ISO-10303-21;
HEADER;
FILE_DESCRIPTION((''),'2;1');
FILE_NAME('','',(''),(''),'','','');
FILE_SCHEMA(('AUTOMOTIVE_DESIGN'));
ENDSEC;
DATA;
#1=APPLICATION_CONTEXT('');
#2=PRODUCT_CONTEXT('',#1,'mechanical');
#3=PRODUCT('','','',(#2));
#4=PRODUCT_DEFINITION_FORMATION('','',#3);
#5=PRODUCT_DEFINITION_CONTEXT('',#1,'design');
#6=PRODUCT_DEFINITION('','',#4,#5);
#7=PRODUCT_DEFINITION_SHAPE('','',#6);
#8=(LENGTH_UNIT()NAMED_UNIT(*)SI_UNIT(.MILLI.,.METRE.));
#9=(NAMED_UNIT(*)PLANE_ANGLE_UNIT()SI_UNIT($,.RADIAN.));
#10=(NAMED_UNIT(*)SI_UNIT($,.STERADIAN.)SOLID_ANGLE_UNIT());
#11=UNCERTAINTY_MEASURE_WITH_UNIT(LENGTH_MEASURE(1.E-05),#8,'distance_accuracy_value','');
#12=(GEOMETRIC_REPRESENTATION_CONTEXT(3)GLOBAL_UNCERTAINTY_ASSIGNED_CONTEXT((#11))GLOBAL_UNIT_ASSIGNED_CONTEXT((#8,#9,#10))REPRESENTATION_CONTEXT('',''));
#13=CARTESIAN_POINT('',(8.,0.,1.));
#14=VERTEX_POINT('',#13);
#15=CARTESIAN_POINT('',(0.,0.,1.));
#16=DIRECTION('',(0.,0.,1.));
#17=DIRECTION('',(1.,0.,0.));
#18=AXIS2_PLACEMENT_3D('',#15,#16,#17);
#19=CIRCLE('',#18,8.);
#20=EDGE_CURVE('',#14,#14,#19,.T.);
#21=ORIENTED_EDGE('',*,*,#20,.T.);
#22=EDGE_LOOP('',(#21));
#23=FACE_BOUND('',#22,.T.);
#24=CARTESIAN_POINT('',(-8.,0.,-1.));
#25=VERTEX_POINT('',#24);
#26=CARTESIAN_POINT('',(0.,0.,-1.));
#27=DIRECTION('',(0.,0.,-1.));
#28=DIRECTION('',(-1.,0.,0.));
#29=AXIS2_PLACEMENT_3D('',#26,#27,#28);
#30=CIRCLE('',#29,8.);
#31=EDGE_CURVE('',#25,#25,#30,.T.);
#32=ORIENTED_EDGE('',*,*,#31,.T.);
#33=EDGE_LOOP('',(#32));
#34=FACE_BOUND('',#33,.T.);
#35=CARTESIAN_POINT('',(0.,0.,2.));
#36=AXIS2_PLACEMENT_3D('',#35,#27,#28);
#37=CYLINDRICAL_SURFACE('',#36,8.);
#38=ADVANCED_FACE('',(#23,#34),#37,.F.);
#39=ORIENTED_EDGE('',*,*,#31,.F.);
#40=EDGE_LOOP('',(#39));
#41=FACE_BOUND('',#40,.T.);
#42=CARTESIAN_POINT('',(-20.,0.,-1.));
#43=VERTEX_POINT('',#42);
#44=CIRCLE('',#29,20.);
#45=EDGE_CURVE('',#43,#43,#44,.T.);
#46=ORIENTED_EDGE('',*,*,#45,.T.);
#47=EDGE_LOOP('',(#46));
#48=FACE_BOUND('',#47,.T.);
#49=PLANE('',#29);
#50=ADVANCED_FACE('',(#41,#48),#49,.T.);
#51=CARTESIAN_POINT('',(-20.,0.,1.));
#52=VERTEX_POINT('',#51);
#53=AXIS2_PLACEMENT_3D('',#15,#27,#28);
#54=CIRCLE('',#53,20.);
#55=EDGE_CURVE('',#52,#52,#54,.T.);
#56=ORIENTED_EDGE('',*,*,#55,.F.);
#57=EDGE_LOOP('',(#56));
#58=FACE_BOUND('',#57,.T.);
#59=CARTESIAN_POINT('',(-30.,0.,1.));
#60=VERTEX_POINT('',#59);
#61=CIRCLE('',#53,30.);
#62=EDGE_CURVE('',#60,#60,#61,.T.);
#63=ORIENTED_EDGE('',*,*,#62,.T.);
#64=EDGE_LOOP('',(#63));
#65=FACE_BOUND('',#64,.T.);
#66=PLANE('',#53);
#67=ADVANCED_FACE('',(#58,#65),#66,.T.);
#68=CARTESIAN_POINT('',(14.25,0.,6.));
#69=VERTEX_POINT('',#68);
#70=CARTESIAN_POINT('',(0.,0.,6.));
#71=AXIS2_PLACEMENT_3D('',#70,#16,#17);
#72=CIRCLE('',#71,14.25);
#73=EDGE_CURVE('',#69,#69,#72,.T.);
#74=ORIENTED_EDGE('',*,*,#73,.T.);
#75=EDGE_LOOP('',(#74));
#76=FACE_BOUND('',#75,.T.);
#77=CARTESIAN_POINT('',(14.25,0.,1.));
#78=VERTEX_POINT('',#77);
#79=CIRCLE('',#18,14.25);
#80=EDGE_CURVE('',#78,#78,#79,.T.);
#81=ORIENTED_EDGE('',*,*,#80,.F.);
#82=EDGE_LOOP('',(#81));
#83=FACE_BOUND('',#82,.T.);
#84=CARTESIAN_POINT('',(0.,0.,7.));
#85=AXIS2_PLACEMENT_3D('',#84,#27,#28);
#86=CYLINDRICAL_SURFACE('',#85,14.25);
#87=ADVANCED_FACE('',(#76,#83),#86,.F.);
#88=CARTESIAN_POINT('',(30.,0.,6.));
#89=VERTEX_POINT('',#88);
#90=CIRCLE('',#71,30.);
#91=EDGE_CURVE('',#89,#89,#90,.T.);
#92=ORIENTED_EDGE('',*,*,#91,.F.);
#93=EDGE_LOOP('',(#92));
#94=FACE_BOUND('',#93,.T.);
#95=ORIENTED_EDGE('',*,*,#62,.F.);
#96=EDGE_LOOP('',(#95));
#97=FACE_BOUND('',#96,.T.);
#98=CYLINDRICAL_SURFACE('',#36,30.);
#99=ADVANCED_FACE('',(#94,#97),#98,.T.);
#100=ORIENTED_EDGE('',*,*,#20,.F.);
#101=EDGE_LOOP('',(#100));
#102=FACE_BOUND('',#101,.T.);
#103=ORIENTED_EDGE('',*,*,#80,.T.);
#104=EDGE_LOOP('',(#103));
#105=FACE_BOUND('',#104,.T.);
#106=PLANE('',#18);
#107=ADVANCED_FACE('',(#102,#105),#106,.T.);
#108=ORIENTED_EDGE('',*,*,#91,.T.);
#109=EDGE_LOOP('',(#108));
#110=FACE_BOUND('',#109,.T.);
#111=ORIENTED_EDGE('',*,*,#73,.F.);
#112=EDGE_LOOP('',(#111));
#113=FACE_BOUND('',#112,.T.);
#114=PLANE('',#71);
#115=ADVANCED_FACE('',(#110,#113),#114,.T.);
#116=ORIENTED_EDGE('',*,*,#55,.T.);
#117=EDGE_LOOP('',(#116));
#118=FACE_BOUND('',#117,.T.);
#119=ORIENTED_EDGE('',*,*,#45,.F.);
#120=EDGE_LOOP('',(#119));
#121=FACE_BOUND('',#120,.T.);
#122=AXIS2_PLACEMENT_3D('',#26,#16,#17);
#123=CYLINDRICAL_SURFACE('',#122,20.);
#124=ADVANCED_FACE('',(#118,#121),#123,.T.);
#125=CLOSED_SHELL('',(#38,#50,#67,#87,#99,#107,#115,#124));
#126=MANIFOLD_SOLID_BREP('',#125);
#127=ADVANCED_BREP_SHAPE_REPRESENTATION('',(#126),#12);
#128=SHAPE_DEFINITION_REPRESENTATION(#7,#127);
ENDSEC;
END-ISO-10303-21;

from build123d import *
from build123d.topology import SkipClean

# Parameters (mm, degrees)
SKETCH2_R           = 30
SKETCH2_R_2         = 8
BOSS_EXTRUDE1_DEPTH = 2
SKETCH3_R           = 30
SKETCH3_R_2         = 14.25
BOSS_EXTRUDE2_DEPTH = 5
CUT_EXTRUDE1_START  = -1
SKETCH5_R           = 14.25
SKETCH5_R_2         = 8
CUT_EXTRUDE1_DEPTH  = 1
SKETCH7_R           = 30
SKETCH7_R_2         = 14.25
BOSS_EXTRUDE4_DEPTH = 1
CUT_EXTRUDE3_START  = -2
SKETCH8_R           = 30
SKETCH8_R_2         = 14.25
CUT_EXTRUDE3_DEPTH  = 2
BOSS_EXTRUDE6_START = 1
SKETCH10_R          = 20
SKETCH10_R_2        = 8
BOSS_EXTRUDE6_DEPTH = 1
SKETCH11_R          = 30
SKETCH11_R_2        = 20
CUT_EXTRUDE4_DEPTH  = 1


with BuildPart() as part:
    # Sketch2 → Boss-Extrude1 (new body)
    with BuildSketch(Plane.XY):
        Circle(SKETCH2_R)
        Circle(SKETCH2_R_2, mode=Mode.SUBTRACT)
    extrude(amount=BOSS_EXTRUDE1_DEPTH)

    # Sketch3 → Boss-Extrude2 (add)
    with BuildSketch(Plane.XY.offset(2)):
        Circle(SKETCH3_R)
        Circle(SKETCH3_R_2, mode=Mode.SUBTRACT)
    extrude(amount=BOSS_EXTRUDE2_DEPTH)

    # Sketch5 → Cut-Extrude1 (cut)
    with BuildSketch(Plane.XY.offset(2).offset(CUT_EXTRUDE1_START)):
        Circle(SKETCH5_R)
        Circle(SKETCH5_R_2, mode=Mode.SUBTRACT)
    extrude(amount=CUT_EXTRUDE1_DEPTH, mode=Mode.SUBTRACT)

    # Sketch7 → Boss-Extrude4 (add)
    with BuildSketch(Plane.XY.offset(7)):
        Circle(SKETCH7_R)
        Circle(SKETCH7_R_2, mode=Mode.SUBTRACT)
    extrude(amount=BOSS_EXTRUDE4_DEPTH)

    # Sketch8 → Cut-Extrude3 (cut)
    with BuildSketch(Plane.XY.offset(8).offset(CUT_EXTRUDE3_START)):
        Circle(SKETCH8_R)
        Circle(SKETCH8_R_2, mode=Mode.SUBTRACT)
    extrude(amount=CUT_EXTRUDE3_DEPTH, mode=Mode.SUBTRACT)

    # Sketch10 → Boss-Extrude6 (add)
    with SkipClean():  # the faces are left unmerged after this step: merging them gives an invalid solid
        with BuildSketch(Plane(origin=(0, 0, 0), x_dir=(-1, 0, 0), z_dir=(0, 0, -1)).offset(BOSS_EXTRUDE6_START)):
            with Locations(Location((0, 0, 0), (0, 0, 180))):
                Circle(SKETCH10_R)
            Circle(SKETCH10_R_2, mode=Mode.SUBTRACT)
        extrude(amount=-BOSS_EXTRUDE6_DEPTH)

    # Sketch11 → Cut-Extrude4 (cut)
    with BuildSketch(Plane(origin=(0, 0, 0), x_dir=(-1, 0, 0), z_dir=(0, 0, -1))):
        Circle(SKETCH11_R)
        Circle(SKETCH11_R_2, mode=Mode.SUBTRACT)
    extrude(amount=-CUT_EXTRUDE4_DEPTH, mode=Mode.SUBTRACT)


solid = part.part
